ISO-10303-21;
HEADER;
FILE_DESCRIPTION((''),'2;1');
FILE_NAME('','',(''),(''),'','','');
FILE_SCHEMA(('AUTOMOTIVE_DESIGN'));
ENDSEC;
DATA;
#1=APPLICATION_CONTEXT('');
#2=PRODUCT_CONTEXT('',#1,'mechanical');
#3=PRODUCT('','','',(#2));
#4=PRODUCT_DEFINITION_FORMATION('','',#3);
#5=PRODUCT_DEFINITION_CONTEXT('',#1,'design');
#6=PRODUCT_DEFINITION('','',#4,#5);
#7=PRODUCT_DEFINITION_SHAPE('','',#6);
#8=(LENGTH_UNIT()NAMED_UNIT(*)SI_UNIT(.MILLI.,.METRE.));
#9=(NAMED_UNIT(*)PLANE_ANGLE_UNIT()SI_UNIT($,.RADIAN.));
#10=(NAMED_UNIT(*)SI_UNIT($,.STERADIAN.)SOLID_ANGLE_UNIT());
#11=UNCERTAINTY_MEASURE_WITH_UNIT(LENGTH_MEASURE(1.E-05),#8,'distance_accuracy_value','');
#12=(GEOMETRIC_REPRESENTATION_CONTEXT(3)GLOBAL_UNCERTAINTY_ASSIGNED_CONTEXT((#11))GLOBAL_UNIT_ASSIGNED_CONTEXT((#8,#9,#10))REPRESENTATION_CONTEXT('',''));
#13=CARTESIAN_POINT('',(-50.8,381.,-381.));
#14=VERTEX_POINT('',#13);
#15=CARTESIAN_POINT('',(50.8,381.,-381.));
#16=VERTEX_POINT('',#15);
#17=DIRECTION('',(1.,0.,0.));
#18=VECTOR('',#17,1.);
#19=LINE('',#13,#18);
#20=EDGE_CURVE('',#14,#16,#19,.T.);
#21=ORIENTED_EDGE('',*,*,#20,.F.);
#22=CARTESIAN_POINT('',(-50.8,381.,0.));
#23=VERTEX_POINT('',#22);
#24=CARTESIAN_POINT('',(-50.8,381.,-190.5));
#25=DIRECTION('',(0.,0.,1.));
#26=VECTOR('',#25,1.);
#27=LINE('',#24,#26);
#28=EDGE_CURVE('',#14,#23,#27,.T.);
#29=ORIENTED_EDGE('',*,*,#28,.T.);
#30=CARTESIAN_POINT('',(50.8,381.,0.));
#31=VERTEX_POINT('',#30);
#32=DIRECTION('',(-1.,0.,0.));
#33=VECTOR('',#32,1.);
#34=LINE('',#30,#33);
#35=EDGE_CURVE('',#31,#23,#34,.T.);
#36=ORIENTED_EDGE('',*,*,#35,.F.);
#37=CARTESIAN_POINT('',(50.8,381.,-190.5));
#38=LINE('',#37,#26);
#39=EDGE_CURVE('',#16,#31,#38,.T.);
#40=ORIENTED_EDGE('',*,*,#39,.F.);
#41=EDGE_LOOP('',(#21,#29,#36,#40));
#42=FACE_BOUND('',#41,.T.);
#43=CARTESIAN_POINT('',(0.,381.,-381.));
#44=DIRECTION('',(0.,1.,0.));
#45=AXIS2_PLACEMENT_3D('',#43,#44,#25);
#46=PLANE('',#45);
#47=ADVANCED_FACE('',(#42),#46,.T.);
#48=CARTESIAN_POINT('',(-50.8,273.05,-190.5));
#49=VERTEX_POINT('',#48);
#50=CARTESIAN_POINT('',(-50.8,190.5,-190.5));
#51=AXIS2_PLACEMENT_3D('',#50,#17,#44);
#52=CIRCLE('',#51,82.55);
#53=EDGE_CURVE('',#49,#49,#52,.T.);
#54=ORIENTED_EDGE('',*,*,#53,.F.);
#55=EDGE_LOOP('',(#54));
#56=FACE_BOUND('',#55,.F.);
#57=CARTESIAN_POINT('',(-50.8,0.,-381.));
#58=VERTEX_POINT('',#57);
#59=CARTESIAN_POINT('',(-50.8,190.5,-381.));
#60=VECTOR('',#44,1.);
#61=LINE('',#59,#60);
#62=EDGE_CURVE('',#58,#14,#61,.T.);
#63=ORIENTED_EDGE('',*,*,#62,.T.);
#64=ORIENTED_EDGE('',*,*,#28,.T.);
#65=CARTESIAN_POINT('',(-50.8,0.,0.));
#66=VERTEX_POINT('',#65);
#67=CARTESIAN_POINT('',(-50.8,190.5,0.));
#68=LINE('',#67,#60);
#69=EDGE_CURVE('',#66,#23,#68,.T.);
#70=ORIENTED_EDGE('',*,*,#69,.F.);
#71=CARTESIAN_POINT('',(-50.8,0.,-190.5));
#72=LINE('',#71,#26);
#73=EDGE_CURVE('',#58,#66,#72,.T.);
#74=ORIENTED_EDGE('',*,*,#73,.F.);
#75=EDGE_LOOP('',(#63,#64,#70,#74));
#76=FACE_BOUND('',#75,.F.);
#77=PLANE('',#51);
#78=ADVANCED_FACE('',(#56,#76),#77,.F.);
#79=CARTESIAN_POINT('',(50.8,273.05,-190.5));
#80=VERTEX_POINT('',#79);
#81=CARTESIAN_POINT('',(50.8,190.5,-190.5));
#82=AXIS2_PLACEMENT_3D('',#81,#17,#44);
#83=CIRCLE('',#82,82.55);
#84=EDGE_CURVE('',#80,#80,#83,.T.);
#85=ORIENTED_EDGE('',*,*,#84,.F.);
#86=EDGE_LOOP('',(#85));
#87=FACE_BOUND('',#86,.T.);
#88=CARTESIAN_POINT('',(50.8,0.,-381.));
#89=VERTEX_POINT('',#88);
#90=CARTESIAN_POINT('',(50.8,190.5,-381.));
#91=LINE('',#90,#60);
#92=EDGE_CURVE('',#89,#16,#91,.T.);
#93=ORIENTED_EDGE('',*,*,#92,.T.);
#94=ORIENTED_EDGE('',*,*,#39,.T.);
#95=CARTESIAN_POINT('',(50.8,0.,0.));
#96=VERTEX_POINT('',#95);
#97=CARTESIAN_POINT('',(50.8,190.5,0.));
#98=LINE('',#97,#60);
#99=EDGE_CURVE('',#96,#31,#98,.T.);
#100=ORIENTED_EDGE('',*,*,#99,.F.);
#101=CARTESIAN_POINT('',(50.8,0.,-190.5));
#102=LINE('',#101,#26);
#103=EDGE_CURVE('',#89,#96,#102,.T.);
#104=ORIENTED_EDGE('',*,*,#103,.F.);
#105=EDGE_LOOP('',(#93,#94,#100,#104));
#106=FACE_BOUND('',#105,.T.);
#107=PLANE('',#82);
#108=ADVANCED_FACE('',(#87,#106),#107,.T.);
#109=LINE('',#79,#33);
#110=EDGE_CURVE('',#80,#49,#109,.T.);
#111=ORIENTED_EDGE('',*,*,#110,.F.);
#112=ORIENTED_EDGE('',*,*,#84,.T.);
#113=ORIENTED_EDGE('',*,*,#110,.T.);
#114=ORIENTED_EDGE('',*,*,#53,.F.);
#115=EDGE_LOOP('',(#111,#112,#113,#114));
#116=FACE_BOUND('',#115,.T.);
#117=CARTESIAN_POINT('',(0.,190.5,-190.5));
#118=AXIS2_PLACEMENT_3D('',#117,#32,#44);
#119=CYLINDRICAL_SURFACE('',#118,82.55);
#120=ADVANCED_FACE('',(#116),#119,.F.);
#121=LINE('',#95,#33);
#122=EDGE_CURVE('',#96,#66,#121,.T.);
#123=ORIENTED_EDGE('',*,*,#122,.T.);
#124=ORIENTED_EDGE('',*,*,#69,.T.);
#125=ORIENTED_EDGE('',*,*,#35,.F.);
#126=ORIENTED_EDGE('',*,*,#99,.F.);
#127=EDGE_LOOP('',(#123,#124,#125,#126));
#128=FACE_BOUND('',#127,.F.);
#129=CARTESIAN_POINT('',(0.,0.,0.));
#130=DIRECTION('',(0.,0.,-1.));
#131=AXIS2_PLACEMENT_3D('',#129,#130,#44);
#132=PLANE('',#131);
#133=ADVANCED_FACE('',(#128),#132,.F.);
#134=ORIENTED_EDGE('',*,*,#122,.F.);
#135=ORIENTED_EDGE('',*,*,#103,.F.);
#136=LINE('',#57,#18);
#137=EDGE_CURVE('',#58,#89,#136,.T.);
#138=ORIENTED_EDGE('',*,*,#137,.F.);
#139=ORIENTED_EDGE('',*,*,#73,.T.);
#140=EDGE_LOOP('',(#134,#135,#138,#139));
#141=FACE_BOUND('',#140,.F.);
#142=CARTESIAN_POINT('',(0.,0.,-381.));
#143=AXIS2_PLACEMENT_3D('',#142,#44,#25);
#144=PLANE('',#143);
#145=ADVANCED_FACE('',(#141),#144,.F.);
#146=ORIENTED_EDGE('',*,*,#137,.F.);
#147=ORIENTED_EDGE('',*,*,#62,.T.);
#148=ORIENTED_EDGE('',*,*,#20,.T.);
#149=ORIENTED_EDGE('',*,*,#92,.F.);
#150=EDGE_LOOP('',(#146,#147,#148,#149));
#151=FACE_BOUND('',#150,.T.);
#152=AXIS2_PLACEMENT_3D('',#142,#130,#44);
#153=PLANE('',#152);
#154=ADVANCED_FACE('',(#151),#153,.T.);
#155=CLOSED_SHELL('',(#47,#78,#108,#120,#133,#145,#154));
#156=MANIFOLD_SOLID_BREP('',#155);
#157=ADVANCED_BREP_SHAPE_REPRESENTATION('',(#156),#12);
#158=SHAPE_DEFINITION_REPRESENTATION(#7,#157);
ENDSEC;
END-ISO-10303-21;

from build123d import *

# Parameters (mm, degrees)
F0_W     = 381
F0_H     = 381
F0_R     = 82.55
F1_DEPTH = 50.8


with BuildPart() as f1:
    # F0 (on Right) → F1 (new body, symmetric)
    with BuildSketch(Plane.YZ):
        with Locations((190.5, -190.5)):
            Rectangle(F0_W, F0_H)
        with Locations((190.5, -190.5)):
            Circle(F0_R, mode=Mode.SUBTRACT)
    extrude(amount=F1_DEPTH, both=True)


solid = f1.part
